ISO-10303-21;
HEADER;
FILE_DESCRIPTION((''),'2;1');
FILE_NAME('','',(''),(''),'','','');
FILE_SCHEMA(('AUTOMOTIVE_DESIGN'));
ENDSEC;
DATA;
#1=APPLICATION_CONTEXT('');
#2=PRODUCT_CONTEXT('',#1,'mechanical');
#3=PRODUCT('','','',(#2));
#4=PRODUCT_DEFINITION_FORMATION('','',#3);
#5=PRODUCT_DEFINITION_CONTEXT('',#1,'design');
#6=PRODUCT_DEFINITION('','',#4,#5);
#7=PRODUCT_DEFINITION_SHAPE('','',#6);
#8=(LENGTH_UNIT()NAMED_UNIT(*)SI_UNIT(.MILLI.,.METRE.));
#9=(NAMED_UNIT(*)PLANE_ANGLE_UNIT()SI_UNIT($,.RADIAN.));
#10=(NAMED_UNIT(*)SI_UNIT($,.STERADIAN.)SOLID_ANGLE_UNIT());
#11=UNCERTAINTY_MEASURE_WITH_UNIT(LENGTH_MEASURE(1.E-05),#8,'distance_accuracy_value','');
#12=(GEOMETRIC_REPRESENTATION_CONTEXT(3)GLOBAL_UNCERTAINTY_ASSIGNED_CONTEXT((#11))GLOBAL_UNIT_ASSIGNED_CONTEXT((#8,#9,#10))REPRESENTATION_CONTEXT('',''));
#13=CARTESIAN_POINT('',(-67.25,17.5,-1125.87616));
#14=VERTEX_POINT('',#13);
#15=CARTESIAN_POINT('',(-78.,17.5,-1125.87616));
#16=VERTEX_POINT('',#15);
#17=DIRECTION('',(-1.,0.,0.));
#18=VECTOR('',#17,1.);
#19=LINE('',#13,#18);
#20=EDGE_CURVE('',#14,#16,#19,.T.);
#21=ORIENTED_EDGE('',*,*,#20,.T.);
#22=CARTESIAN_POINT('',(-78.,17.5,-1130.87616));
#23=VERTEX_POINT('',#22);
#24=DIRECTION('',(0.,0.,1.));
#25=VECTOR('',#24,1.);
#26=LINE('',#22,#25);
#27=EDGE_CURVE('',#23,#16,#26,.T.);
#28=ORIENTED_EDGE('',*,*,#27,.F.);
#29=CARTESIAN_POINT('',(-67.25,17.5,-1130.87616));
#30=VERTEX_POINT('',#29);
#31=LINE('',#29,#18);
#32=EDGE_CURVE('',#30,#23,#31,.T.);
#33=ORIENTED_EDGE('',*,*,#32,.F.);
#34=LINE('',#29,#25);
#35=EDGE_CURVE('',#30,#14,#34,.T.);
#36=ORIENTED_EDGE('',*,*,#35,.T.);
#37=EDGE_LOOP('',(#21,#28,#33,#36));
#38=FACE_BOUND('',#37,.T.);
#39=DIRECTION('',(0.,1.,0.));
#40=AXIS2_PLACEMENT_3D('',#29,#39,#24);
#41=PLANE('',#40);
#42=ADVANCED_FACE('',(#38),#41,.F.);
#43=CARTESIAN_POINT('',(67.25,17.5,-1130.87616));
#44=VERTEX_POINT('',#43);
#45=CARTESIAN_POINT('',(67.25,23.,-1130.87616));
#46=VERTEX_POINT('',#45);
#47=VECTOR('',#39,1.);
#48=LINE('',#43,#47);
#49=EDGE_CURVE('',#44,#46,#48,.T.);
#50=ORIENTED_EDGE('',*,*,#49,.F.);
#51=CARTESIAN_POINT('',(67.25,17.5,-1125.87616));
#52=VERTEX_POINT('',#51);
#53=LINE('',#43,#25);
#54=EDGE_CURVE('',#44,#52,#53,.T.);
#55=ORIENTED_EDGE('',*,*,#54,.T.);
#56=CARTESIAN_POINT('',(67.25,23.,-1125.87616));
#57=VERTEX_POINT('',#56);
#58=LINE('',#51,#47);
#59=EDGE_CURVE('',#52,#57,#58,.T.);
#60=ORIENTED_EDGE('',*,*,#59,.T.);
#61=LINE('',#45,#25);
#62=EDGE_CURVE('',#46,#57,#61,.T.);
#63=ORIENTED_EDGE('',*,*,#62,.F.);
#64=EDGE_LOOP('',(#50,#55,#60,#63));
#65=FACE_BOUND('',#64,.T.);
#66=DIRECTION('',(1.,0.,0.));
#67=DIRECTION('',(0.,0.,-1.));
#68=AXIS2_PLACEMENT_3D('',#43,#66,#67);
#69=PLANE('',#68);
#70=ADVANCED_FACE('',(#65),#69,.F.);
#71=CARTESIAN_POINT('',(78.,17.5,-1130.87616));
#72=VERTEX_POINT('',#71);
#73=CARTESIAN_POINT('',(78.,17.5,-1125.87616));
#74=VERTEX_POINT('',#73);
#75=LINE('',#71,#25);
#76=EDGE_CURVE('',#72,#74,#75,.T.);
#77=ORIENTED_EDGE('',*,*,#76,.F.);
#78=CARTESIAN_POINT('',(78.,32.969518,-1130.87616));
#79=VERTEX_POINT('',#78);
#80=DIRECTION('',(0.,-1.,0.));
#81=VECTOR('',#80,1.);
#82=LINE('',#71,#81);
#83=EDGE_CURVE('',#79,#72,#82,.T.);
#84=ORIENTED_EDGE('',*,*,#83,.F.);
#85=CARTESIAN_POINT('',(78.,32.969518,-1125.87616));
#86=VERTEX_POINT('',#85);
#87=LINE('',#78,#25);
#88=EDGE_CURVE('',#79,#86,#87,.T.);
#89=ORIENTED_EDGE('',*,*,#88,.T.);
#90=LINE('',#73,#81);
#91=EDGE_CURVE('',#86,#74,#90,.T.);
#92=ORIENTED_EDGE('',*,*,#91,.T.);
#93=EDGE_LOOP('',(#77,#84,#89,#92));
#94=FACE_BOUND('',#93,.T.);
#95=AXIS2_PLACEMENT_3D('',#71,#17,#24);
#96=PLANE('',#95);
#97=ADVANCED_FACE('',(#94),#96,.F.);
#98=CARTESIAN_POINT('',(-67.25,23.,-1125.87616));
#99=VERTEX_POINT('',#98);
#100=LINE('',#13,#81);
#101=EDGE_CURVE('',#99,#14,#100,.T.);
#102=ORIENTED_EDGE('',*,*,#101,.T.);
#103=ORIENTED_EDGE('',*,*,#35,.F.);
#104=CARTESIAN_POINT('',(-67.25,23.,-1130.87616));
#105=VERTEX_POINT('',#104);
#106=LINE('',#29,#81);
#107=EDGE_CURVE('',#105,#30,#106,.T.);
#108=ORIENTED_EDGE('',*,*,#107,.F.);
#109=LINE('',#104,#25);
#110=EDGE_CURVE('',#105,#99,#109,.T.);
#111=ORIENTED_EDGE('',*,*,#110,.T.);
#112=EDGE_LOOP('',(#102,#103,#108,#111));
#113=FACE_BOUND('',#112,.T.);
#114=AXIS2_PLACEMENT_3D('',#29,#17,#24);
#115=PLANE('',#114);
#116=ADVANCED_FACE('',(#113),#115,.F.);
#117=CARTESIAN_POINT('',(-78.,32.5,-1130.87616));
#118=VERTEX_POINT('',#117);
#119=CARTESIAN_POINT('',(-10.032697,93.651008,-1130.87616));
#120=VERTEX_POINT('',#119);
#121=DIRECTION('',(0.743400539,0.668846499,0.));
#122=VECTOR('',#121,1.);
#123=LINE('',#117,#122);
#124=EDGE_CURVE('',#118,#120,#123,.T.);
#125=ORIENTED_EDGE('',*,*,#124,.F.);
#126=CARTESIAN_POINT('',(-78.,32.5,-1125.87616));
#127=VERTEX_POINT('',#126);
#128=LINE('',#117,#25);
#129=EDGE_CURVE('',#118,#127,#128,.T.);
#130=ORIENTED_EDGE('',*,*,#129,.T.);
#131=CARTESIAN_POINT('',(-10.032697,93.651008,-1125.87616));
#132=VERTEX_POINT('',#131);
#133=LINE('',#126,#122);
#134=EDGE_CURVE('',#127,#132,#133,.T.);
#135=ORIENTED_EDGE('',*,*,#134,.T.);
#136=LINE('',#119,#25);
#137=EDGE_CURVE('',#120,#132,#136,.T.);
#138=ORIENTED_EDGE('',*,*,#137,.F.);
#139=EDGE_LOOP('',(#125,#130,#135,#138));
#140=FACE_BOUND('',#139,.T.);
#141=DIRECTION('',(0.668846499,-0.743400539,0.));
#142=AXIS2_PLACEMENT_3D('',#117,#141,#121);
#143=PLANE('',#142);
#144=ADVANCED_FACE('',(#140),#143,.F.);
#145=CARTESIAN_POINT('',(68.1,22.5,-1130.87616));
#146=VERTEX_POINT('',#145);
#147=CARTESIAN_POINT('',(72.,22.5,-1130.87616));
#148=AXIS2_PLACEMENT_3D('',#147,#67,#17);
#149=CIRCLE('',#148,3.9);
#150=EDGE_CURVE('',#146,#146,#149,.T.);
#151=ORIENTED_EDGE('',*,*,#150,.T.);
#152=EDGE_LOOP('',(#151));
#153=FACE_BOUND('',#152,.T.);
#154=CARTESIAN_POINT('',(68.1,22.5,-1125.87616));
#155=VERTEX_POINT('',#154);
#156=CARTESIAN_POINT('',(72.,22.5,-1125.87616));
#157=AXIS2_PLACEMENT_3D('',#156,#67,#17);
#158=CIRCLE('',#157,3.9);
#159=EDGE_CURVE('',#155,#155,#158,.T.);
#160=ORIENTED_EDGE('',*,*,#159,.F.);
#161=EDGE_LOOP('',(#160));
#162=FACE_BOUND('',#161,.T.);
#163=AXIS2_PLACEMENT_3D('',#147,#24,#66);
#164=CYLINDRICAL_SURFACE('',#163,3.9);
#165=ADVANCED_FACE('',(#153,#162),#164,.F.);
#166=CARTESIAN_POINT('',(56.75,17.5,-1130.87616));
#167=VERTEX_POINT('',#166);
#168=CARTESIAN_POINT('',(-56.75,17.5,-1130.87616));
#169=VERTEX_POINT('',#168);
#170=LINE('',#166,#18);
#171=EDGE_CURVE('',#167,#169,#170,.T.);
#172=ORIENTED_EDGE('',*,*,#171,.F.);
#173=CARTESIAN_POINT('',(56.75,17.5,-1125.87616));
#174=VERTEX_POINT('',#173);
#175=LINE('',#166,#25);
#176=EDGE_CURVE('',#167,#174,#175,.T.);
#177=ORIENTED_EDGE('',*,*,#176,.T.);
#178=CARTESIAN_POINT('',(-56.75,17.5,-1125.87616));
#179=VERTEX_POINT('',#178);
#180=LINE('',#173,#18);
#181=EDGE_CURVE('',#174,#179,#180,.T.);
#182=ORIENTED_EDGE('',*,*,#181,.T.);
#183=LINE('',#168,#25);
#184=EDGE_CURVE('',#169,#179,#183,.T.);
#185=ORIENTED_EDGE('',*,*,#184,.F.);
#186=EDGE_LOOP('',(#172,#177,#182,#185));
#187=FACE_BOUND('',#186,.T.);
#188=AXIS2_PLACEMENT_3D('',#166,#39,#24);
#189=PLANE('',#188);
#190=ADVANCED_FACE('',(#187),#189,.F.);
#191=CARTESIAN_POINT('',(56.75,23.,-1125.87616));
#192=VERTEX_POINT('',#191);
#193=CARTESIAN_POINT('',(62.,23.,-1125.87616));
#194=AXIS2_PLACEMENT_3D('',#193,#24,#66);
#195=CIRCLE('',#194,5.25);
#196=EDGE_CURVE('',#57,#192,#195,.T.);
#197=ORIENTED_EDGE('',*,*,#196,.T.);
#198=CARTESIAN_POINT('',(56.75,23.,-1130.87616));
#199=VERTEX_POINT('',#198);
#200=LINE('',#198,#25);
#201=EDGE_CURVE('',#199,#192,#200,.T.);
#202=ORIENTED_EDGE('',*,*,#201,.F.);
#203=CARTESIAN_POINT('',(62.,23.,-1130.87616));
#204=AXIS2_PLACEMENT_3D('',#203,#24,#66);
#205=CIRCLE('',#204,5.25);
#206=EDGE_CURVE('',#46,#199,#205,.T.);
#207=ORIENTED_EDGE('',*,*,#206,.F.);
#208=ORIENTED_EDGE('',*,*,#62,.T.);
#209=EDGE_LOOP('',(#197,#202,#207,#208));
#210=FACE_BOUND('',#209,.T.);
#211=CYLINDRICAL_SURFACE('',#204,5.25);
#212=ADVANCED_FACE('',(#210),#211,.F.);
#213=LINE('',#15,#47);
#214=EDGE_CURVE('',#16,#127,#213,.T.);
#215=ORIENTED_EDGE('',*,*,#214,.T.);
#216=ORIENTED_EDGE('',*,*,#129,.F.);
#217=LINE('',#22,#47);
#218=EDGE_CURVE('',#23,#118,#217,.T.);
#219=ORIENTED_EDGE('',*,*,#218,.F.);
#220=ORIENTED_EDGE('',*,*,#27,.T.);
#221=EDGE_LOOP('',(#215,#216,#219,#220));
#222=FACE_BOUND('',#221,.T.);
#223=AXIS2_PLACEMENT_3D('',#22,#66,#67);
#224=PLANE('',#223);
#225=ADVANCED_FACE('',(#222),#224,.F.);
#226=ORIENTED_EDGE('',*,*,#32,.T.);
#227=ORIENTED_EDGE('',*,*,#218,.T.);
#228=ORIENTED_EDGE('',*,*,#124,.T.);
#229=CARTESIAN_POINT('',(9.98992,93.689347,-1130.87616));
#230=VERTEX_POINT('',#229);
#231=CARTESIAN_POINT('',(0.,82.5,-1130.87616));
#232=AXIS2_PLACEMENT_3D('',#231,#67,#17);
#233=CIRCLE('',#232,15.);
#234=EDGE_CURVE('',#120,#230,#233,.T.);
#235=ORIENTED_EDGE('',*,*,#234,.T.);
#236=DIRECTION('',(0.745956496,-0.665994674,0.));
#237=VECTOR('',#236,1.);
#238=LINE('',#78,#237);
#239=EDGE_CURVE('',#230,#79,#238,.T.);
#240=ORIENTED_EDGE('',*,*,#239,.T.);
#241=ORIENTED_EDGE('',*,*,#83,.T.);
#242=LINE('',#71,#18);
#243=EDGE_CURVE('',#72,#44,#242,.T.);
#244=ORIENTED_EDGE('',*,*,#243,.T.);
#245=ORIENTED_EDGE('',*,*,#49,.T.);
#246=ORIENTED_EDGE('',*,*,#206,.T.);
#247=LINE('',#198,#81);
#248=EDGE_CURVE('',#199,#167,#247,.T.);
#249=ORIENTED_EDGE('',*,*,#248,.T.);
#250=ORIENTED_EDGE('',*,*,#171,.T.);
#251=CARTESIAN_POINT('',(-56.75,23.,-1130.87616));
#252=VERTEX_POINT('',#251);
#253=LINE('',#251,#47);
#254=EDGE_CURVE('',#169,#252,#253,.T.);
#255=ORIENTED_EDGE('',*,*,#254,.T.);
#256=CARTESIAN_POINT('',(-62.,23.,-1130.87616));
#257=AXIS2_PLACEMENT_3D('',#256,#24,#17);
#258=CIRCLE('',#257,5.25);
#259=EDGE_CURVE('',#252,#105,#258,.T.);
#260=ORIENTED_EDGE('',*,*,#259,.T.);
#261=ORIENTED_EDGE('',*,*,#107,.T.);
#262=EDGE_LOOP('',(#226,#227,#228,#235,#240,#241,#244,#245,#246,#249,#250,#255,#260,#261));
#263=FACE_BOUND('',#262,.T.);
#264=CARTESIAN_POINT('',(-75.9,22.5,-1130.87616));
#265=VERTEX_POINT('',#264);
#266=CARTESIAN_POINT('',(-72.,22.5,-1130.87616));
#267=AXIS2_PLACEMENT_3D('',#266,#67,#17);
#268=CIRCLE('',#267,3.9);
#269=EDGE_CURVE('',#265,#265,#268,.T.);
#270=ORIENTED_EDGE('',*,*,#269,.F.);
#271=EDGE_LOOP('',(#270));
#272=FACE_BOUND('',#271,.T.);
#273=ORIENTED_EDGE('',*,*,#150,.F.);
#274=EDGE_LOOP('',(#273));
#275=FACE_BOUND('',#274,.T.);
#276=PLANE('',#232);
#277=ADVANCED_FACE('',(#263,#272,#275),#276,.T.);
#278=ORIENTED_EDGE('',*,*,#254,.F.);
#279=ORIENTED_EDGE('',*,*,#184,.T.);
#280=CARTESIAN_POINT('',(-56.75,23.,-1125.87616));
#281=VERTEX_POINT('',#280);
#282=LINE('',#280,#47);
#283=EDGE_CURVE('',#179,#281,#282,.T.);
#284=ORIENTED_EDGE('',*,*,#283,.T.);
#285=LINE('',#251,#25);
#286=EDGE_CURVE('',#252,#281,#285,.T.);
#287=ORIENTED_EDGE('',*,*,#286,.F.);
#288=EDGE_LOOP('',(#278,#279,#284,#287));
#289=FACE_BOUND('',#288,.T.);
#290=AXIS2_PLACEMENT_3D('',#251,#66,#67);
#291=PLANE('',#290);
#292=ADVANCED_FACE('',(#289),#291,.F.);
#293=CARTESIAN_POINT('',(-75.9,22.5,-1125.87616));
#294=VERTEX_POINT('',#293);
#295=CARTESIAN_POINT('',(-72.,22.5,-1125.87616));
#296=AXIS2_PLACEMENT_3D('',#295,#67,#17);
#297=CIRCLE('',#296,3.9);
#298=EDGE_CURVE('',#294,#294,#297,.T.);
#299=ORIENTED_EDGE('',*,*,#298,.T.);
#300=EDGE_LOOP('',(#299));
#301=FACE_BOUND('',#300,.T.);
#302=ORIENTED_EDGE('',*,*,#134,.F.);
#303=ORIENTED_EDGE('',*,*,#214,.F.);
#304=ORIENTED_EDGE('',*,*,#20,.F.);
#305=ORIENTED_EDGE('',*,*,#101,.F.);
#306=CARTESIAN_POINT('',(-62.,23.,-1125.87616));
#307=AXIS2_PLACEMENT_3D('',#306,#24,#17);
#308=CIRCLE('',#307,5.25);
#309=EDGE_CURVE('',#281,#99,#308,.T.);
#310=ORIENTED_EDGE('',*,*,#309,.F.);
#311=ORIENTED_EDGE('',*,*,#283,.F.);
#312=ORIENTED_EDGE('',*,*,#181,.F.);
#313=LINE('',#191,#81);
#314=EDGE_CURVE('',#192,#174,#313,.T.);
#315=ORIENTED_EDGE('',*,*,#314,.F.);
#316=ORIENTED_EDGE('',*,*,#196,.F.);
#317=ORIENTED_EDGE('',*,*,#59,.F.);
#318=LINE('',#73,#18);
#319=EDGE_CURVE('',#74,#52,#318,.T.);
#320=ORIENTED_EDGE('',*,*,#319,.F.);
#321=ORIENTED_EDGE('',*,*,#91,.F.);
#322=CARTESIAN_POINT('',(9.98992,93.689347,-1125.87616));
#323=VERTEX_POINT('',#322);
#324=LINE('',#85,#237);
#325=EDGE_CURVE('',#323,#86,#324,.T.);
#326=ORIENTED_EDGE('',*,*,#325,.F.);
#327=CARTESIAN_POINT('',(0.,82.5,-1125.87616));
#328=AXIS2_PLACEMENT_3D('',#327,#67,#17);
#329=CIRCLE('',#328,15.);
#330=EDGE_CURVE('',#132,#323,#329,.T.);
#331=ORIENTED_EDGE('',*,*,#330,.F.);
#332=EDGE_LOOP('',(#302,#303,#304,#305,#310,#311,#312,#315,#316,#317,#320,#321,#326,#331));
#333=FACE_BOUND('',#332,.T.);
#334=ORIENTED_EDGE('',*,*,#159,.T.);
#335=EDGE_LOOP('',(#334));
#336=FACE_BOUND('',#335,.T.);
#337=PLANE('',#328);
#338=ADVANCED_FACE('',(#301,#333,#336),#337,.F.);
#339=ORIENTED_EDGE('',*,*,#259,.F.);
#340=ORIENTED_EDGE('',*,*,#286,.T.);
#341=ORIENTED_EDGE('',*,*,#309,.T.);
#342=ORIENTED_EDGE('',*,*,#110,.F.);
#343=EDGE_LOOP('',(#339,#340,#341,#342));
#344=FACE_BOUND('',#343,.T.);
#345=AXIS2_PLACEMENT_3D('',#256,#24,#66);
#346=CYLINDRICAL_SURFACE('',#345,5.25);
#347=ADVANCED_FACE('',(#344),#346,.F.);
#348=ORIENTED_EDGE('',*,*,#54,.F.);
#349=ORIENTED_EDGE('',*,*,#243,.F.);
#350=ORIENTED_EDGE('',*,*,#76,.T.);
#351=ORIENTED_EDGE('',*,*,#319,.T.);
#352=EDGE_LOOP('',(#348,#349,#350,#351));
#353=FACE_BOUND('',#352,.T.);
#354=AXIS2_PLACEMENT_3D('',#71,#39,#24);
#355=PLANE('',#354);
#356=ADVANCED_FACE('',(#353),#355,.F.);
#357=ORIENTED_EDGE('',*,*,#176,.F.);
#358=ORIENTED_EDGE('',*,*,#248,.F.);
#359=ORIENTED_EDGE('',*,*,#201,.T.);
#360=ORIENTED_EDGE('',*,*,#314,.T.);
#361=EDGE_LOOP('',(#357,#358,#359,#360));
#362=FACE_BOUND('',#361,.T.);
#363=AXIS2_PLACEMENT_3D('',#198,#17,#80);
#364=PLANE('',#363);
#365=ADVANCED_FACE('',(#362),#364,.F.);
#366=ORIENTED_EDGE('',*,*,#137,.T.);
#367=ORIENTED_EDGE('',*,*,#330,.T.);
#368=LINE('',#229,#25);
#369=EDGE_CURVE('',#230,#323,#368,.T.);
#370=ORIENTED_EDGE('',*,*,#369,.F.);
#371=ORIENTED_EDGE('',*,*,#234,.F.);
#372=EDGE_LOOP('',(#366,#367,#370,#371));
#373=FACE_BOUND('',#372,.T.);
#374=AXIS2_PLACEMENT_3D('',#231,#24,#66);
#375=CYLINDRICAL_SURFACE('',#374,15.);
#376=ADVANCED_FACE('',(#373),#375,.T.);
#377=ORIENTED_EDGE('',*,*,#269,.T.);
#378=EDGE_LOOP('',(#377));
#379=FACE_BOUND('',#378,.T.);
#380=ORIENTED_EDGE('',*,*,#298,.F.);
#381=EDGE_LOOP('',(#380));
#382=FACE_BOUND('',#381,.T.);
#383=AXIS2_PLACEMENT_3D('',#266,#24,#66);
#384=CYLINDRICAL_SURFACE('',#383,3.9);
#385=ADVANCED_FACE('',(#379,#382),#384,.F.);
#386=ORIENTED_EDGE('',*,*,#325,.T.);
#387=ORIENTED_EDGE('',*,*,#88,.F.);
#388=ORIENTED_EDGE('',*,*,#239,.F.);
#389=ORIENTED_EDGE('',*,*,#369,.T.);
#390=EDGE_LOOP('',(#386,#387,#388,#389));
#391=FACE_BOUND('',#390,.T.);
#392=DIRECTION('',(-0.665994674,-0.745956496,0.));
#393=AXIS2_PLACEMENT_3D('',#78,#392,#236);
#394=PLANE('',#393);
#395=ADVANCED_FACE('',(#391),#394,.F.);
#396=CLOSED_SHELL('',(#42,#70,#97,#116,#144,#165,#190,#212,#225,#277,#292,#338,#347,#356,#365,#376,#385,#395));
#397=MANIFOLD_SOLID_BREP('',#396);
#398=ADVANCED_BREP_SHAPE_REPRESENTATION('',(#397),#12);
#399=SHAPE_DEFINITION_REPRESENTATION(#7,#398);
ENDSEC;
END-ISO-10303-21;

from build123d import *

# Parameters (mm, degrees)
SKETCH2_R           = 3.9
BOSS_EXTRUDE1_DEPTH = 5


with BuildPart() as part:
    # Sketch2 → Boss-Extrude1 (new body)
    with BuildSketch(Plane(origin=(0, 0, -1125.876159911), x_dir=(-1, 0, 0), z_dir=(0, 0, -1))):
        with BuildLine():
            Line((78, 17.5), (78, 32.5))
            Line((78, 32.5), (10.032697486, 93.651008078))
            ThreePointArc((10.032697486, 93.651008078), (0.028721986, 97.499972502), (-9.989920116, 93.689347438))
            Line((-9.989920116, 93.689347438), (-78, 32.969518252))
            Line((-78, 32.969518252), (-78, 17.5))
            Line((-78, 17.5), (-67.25, 17.5))
            Line((-67.25, 17.5), (-67.25, 23))
            ThreePointArc((-67.25, 23), (-62, 28.25), (-56.75, 23))
            Line((-56.75, 23), (-56.75, 17.5))
            Line((-56.75, 17.5), (56.75, 17.5))
            Line((56.75, 17.5), (56.75, 23))
            ThreePointArc((56.75, 23), (62, 28.25), (67.25, 23))
            Line((67.25, 23), (67.25, 17.5))
            Line((67.25, 17.5), (78, 17.5))
        make_face()
        with Locations((72, 22.5)):
            Circle(SKETCH2_R, mode=Mode.SUBTRACT)
        with Locations((-72, 22.5)):
            Circle(SKETCH2_R, mode=Mode.SUBTRACT)
    extrude(amount=BOSS_EXTRUDE1_DEPTH)


solid = part.part
